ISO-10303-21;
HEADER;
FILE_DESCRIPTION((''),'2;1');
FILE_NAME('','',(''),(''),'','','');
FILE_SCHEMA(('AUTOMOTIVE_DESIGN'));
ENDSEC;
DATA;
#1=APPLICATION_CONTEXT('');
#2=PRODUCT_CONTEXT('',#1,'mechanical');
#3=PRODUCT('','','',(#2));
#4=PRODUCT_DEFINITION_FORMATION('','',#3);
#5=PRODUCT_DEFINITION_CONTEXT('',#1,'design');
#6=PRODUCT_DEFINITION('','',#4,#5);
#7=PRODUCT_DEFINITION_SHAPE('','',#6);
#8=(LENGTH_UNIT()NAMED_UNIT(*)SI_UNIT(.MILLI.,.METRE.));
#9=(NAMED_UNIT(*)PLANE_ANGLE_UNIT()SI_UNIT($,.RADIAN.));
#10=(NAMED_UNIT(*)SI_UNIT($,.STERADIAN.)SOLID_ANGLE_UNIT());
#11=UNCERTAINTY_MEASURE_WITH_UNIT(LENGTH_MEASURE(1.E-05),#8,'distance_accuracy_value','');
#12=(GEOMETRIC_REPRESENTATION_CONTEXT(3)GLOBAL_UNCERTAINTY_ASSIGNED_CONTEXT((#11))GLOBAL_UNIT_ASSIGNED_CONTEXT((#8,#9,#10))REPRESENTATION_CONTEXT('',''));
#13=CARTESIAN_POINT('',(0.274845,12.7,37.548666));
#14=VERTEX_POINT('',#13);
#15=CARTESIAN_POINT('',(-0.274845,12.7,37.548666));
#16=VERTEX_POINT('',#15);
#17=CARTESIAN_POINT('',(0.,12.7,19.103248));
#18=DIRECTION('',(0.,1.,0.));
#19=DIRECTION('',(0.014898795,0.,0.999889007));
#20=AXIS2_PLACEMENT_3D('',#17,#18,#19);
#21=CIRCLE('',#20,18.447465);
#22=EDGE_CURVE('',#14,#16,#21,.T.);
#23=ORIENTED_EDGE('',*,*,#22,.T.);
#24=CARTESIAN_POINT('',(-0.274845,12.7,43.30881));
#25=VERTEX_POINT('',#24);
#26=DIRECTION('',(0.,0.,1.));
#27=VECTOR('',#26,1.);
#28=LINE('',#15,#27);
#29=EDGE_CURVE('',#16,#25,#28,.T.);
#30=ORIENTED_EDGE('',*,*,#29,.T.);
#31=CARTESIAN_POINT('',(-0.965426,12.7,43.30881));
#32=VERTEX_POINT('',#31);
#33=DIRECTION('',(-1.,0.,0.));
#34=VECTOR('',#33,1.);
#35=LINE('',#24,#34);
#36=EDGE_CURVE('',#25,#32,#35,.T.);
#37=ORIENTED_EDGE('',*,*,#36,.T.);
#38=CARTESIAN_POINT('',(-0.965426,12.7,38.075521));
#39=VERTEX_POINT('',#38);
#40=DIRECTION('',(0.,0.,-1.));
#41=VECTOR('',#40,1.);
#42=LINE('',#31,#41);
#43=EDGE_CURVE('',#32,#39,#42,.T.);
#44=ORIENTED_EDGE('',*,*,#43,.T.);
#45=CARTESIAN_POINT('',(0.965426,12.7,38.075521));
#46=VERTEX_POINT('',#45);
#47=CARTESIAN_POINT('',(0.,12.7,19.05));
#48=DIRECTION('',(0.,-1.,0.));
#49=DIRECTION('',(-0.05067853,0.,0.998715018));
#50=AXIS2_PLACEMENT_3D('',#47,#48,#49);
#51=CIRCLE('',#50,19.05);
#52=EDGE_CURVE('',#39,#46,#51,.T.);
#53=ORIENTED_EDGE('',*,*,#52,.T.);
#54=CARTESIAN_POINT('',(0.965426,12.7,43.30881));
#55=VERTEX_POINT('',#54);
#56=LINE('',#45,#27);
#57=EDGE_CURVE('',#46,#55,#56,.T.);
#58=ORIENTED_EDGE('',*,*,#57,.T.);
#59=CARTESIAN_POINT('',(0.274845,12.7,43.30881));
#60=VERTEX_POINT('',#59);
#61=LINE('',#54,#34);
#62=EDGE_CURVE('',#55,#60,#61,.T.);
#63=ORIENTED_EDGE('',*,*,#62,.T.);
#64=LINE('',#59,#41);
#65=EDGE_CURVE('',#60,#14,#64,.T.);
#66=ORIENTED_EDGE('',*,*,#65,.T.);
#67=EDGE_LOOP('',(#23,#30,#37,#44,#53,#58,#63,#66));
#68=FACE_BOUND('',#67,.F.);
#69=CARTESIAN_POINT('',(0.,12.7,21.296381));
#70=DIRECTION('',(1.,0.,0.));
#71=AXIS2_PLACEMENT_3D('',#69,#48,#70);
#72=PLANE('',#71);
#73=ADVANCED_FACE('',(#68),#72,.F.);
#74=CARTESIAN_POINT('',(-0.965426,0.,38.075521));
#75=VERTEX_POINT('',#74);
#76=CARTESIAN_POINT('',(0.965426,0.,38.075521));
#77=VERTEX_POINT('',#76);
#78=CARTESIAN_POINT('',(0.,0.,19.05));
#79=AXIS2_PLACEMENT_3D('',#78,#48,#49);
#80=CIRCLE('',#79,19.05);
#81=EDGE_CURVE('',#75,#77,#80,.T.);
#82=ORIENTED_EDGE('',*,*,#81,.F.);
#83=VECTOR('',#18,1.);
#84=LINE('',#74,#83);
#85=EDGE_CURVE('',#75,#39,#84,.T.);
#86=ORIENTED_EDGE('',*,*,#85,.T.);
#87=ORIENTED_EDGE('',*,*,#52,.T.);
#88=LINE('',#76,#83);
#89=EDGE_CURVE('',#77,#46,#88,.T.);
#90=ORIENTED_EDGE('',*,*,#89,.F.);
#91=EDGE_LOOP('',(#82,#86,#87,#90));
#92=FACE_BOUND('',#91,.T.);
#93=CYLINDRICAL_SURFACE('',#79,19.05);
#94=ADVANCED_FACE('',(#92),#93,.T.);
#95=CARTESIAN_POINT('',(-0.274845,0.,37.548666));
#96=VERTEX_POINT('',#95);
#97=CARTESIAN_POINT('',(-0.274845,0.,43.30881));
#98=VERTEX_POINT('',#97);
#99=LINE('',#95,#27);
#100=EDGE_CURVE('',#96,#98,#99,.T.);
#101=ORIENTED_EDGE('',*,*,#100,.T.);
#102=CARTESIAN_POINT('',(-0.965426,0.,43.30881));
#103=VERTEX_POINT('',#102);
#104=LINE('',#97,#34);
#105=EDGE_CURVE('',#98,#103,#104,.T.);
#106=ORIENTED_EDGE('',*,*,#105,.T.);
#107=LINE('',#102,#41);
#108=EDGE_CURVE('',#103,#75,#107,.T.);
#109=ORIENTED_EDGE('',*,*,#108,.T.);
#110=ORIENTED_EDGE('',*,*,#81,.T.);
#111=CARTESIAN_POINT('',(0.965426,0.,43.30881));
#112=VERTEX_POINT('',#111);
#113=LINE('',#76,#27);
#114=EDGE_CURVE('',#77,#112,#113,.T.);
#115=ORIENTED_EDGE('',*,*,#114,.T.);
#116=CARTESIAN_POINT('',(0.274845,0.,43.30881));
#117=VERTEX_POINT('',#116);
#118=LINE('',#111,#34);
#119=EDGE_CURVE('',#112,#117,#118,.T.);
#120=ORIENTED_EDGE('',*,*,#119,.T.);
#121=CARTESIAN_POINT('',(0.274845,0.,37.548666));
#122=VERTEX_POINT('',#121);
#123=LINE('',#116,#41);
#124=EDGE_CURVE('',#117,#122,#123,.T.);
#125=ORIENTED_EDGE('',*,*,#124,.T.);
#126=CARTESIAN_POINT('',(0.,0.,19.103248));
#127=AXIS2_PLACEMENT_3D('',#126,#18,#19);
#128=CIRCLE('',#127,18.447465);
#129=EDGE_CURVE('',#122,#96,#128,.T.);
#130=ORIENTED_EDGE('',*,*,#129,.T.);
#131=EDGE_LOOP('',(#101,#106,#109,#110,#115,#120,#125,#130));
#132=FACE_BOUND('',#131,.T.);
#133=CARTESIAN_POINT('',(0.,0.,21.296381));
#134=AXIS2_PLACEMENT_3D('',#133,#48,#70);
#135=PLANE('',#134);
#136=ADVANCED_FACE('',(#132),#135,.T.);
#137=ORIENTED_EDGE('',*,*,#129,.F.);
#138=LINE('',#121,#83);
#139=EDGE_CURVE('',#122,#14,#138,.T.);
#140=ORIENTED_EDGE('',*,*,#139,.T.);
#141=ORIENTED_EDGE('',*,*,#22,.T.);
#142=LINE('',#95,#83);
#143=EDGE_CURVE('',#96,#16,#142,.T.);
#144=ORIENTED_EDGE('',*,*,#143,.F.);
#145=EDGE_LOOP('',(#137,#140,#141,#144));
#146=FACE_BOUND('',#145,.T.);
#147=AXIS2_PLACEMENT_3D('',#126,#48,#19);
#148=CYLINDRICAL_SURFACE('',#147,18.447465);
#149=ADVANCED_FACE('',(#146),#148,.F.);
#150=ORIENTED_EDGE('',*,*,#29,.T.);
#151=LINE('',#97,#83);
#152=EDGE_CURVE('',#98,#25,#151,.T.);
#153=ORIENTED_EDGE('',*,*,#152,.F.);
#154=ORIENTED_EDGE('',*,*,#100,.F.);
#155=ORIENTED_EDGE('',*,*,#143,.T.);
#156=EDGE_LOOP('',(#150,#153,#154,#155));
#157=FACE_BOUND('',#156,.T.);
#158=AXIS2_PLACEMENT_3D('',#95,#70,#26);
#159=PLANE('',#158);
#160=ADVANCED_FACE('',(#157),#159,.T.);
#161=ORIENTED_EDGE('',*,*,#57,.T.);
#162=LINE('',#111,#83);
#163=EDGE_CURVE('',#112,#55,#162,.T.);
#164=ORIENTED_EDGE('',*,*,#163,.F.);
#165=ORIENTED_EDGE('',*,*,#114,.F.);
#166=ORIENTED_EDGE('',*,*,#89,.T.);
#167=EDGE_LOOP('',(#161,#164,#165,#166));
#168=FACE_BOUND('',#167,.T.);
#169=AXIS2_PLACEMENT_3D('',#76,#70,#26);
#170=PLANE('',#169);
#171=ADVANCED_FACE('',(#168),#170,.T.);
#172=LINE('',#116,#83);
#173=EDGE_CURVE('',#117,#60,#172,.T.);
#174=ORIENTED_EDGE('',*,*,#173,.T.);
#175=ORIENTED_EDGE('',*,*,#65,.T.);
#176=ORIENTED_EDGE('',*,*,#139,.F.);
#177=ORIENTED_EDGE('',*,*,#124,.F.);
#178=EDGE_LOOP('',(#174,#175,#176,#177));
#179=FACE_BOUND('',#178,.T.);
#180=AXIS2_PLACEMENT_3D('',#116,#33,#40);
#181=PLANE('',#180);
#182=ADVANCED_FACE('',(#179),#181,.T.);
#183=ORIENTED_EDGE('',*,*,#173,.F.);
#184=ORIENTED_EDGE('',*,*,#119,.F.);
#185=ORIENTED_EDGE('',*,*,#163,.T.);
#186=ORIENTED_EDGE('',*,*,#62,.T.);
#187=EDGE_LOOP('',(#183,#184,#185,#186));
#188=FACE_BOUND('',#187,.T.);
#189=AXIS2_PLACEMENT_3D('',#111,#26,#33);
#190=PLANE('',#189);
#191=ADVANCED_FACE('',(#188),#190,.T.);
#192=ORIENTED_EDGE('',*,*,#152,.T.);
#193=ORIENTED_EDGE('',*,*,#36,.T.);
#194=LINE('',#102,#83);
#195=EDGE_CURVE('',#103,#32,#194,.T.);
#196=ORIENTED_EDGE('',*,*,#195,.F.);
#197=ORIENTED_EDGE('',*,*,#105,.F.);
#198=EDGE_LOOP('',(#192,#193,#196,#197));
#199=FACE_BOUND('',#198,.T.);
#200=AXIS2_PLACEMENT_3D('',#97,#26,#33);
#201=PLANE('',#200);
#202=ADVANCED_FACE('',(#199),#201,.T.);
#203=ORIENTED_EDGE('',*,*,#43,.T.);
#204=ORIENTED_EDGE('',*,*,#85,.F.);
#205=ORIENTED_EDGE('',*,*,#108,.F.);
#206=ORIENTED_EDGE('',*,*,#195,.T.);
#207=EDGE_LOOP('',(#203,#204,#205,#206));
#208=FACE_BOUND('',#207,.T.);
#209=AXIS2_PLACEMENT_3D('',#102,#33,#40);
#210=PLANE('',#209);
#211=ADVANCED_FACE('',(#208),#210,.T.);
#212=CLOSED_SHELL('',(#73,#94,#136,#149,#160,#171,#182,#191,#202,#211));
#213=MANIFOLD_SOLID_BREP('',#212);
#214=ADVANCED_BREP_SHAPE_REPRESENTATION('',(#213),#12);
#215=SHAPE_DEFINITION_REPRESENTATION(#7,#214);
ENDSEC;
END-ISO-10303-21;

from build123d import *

# Parameters (mm, degrees)
F1_DEPTH = 12.7


with BuildPart() as f1:
    # F0 (on Front) → F1 (new body)
    with BuildSketch(Plane.XZ):
        with BuildLine():
            Line((-0.274845, 37.548666), (-0.274845, 43.30881))
            Line((-0.274845, 43.30881), (-0.965426, 43.30881))
            Line((-0.965426, 43.30881), (-0.965426, 38.075521))
            ThreePointArc((-0.965426, 38.075521), (0, 0), (0.965426, 38.075521))
            Line((0.965426, 38.075521), (0.965426, 43.30881))
            Line((0.965426, 43.30881), (0.274845, 43.30881))
            Line((0.274845, 43.30881), (0.274845, 37.548666))
            ThreePointArc((0.274845, 37.548666), (0, 0.655783), (-0.274845, 37.548666))
        make_face()
    extrude(amount=-F1_DEPTH)


solid = f1.part
